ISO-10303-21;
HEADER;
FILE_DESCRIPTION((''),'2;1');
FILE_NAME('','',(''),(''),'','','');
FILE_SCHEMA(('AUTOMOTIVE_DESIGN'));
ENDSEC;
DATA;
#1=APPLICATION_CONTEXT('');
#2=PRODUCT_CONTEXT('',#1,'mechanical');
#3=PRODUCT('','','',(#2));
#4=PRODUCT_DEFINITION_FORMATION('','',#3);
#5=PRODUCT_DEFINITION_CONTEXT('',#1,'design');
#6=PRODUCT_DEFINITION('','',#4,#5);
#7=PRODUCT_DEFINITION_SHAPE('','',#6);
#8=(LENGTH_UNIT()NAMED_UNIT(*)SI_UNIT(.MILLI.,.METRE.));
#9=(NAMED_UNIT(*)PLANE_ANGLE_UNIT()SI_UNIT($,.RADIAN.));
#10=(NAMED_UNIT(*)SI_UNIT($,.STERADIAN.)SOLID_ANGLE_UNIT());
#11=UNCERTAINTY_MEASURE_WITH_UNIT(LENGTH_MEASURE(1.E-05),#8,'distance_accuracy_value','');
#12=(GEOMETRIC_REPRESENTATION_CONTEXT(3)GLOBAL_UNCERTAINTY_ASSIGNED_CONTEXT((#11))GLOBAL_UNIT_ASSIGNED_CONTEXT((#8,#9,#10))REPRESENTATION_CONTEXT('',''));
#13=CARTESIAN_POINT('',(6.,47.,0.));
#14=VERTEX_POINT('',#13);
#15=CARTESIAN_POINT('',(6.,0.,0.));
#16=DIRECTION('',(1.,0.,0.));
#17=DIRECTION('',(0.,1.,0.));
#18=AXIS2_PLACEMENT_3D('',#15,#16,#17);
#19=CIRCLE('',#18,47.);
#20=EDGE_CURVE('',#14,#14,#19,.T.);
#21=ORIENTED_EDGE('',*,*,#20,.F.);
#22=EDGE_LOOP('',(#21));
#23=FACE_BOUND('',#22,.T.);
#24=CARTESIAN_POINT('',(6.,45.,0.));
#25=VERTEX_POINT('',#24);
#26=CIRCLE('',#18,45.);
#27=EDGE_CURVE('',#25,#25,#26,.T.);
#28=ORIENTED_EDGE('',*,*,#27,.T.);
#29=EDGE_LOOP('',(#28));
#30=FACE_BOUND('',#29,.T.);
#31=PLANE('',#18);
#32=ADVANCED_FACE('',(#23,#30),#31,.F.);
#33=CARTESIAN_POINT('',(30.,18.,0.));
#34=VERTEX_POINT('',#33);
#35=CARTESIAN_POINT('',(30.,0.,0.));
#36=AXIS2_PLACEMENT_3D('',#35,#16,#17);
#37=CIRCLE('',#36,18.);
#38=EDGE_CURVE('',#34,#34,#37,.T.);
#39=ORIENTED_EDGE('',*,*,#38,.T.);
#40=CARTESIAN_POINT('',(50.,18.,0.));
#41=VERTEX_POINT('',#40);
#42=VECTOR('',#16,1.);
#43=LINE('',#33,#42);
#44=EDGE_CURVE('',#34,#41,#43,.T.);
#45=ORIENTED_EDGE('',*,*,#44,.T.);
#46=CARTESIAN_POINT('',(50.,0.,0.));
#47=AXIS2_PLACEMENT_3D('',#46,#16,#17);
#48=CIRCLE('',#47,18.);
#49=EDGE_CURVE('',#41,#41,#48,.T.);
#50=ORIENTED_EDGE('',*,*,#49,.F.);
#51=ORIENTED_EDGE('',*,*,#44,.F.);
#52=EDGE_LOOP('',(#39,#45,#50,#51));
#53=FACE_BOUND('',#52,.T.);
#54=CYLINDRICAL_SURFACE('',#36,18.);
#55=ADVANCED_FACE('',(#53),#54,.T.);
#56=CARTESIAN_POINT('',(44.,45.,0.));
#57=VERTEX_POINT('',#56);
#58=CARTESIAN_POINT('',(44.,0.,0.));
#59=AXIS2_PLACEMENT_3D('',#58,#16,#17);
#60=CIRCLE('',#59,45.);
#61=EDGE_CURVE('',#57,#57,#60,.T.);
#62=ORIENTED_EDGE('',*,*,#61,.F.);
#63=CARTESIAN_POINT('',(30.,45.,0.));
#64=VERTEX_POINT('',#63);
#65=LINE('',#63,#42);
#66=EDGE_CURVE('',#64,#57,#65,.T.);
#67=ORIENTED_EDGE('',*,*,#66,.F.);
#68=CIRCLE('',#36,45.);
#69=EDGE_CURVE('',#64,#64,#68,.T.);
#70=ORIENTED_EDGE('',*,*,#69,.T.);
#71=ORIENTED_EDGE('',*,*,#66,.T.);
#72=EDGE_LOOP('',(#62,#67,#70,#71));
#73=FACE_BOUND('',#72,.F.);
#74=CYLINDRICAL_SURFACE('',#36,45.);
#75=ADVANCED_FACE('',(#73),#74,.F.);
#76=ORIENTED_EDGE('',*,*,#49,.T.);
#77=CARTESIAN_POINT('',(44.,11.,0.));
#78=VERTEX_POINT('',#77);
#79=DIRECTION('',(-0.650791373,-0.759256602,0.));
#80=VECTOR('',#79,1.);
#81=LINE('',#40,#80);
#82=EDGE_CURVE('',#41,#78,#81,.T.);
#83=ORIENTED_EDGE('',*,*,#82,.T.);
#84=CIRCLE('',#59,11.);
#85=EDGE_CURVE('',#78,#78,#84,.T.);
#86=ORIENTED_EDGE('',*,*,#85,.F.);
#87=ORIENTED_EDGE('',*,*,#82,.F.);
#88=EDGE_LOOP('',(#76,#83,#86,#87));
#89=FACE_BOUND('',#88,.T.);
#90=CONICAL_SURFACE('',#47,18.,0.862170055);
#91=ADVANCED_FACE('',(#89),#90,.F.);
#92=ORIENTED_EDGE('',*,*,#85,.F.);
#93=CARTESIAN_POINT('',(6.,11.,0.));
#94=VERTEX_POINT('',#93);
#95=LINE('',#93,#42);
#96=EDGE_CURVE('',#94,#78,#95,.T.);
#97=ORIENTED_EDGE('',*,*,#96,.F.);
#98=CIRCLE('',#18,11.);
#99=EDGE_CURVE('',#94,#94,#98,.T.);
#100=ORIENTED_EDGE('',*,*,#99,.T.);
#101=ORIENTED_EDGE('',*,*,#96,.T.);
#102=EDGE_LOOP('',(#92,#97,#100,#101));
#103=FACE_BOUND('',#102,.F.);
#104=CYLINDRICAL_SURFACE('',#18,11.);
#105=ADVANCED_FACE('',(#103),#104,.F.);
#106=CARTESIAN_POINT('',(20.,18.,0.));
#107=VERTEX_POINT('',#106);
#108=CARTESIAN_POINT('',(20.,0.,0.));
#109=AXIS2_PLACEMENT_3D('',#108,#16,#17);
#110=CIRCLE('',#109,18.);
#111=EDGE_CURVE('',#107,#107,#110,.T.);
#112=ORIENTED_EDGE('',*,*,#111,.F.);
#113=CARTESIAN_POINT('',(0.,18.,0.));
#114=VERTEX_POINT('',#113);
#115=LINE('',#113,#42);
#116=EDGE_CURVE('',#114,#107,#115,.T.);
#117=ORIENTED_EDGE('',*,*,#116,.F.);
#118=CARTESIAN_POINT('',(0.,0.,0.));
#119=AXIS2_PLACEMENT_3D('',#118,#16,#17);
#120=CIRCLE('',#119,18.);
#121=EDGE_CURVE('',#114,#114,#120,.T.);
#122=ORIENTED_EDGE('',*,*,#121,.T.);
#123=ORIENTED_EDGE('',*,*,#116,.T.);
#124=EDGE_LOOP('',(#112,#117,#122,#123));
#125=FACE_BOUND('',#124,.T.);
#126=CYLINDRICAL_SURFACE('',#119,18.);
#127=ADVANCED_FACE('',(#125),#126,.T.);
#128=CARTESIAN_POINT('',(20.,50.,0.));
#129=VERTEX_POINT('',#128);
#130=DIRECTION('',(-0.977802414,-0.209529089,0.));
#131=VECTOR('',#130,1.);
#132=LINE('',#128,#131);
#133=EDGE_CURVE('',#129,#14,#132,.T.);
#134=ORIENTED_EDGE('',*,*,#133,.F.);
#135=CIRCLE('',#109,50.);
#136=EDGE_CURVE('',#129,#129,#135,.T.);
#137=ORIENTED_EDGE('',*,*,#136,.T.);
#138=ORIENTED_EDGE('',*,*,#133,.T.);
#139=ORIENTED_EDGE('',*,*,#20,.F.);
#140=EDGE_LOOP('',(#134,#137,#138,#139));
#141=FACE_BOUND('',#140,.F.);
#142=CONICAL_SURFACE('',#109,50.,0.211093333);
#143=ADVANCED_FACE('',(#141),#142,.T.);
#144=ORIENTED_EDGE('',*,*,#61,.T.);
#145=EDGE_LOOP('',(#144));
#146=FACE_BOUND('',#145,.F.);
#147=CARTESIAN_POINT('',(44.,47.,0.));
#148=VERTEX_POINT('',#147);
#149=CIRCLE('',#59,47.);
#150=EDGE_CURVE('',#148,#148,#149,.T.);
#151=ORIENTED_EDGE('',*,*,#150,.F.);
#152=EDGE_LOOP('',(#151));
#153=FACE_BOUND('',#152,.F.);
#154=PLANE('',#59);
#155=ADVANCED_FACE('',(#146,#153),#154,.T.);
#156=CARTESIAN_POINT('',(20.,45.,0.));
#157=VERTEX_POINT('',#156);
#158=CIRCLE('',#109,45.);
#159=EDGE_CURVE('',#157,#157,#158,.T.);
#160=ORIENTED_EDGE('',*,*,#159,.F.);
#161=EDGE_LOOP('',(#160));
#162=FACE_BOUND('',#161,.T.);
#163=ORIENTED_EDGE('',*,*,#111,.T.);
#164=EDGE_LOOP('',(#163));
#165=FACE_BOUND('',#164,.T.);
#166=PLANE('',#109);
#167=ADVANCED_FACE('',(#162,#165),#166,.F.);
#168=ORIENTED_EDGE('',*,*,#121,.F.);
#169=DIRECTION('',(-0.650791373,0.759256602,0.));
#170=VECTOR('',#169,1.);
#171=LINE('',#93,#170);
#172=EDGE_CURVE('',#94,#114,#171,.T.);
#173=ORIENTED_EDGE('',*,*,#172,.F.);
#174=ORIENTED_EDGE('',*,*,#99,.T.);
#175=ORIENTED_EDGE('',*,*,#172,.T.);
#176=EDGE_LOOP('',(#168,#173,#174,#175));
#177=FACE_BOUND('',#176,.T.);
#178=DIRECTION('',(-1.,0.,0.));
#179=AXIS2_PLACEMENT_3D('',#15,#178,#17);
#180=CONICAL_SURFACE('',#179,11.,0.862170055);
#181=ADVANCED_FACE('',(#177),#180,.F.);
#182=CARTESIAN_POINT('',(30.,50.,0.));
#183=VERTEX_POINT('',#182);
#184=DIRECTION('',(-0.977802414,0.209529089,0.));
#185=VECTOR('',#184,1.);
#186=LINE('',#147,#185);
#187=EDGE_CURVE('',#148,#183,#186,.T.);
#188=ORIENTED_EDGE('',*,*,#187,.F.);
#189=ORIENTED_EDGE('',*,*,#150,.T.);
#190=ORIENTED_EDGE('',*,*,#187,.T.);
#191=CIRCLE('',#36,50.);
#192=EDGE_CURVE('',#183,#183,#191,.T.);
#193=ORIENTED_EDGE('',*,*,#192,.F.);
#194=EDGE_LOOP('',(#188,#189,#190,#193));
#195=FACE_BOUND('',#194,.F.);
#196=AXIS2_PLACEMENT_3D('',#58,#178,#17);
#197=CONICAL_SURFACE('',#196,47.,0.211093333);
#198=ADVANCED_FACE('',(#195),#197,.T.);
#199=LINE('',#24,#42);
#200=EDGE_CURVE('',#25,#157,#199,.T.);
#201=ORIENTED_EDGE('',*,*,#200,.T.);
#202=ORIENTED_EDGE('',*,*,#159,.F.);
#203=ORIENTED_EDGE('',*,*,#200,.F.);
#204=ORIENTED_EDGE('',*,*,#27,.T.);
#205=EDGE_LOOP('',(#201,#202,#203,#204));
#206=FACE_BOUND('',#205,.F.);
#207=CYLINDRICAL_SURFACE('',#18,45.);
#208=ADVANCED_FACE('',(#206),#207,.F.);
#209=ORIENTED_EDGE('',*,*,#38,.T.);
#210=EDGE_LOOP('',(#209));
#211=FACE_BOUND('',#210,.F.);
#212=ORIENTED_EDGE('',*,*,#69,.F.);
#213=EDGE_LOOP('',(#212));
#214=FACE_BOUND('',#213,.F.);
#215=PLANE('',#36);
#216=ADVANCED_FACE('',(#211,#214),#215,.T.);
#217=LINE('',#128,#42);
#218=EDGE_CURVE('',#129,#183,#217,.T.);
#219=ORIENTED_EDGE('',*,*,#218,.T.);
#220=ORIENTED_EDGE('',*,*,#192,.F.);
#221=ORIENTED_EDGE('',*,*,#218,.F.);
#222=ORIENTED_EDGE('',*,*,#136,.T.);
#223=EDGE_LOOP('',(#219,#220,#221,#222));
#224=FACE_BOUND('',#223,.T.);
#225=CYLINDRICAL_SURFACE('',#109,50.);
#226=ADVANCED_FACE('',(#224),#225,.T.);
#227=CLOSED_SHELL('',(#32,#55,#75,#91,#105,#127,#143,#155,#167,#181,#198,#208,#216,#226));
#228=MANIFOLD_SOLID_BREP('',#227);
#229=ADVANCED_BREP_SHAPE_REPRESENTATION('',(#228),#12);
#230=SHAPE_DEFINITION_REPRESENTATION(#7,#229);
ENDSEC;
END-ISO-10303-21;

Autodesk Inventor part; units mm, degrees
ref_plane "YZ Plane" through (0, 0, 0) normal (1, 0, 0) x (0, 1, 0)
ref_plane "XZ Plane" through (0, 0, 0) normal (0, 1, 0) x (-1, 0, 0)
ref_plane "XY Plane" through (0, 0, 0) normal (0, 0, 1) x (1, 0, 0)
sketch "Sketch1" plane through (0, 0, 0) normal (0, 0, 1) x (1, 0, 0)
  line L0 (0, 0) -> (50, 0)
  line L1 (6, 11) -> (44, 11)
  line L2 (20, 50) -> (30, 50)
  line L3 (20, 18) -> (20, 45)
  line L4 (30, 18) -> (30, 45)
  line L5 (0, 18) -> (20, 18)
  line L6 (30, 18) -> (50, 18)
  line L7 (44, 45) -> (44, 47)
  line L8 (6, 45) -> (6, 47)
  line L9 (44, 47) -> (30, 50)
  line L10 (20, 50) -> (6, 47)
  line L11 (6, 45) -> (20, 45)
  line L12 (30, 45) -> (44, 45)
  line L13 (50, 18) -> (44, 11)
  line L14 (6, 11) -> (0, 18)
  dimension "d0" = 50
  dimension "d2" = 38
  dimension "d3" = 11
  dimension "d4" = 39
  dimension "d8" = 10
  dimension "d9" = 20
  dimension "d12" = 2
  dimension "d13" = 2
  dimension "d14" = 18
  dimension "d15" = 26.2486
  dimension "d16" = 11.7142
  dimension "d17" = 18
  dimension "d18" = 45
revolve "Revolution1" add sketch "Sketch1" angle 360 about axis through (0, 0, 0) along (1, 0, 0)
properties part number "wheel" material "Steel, Carbon"
